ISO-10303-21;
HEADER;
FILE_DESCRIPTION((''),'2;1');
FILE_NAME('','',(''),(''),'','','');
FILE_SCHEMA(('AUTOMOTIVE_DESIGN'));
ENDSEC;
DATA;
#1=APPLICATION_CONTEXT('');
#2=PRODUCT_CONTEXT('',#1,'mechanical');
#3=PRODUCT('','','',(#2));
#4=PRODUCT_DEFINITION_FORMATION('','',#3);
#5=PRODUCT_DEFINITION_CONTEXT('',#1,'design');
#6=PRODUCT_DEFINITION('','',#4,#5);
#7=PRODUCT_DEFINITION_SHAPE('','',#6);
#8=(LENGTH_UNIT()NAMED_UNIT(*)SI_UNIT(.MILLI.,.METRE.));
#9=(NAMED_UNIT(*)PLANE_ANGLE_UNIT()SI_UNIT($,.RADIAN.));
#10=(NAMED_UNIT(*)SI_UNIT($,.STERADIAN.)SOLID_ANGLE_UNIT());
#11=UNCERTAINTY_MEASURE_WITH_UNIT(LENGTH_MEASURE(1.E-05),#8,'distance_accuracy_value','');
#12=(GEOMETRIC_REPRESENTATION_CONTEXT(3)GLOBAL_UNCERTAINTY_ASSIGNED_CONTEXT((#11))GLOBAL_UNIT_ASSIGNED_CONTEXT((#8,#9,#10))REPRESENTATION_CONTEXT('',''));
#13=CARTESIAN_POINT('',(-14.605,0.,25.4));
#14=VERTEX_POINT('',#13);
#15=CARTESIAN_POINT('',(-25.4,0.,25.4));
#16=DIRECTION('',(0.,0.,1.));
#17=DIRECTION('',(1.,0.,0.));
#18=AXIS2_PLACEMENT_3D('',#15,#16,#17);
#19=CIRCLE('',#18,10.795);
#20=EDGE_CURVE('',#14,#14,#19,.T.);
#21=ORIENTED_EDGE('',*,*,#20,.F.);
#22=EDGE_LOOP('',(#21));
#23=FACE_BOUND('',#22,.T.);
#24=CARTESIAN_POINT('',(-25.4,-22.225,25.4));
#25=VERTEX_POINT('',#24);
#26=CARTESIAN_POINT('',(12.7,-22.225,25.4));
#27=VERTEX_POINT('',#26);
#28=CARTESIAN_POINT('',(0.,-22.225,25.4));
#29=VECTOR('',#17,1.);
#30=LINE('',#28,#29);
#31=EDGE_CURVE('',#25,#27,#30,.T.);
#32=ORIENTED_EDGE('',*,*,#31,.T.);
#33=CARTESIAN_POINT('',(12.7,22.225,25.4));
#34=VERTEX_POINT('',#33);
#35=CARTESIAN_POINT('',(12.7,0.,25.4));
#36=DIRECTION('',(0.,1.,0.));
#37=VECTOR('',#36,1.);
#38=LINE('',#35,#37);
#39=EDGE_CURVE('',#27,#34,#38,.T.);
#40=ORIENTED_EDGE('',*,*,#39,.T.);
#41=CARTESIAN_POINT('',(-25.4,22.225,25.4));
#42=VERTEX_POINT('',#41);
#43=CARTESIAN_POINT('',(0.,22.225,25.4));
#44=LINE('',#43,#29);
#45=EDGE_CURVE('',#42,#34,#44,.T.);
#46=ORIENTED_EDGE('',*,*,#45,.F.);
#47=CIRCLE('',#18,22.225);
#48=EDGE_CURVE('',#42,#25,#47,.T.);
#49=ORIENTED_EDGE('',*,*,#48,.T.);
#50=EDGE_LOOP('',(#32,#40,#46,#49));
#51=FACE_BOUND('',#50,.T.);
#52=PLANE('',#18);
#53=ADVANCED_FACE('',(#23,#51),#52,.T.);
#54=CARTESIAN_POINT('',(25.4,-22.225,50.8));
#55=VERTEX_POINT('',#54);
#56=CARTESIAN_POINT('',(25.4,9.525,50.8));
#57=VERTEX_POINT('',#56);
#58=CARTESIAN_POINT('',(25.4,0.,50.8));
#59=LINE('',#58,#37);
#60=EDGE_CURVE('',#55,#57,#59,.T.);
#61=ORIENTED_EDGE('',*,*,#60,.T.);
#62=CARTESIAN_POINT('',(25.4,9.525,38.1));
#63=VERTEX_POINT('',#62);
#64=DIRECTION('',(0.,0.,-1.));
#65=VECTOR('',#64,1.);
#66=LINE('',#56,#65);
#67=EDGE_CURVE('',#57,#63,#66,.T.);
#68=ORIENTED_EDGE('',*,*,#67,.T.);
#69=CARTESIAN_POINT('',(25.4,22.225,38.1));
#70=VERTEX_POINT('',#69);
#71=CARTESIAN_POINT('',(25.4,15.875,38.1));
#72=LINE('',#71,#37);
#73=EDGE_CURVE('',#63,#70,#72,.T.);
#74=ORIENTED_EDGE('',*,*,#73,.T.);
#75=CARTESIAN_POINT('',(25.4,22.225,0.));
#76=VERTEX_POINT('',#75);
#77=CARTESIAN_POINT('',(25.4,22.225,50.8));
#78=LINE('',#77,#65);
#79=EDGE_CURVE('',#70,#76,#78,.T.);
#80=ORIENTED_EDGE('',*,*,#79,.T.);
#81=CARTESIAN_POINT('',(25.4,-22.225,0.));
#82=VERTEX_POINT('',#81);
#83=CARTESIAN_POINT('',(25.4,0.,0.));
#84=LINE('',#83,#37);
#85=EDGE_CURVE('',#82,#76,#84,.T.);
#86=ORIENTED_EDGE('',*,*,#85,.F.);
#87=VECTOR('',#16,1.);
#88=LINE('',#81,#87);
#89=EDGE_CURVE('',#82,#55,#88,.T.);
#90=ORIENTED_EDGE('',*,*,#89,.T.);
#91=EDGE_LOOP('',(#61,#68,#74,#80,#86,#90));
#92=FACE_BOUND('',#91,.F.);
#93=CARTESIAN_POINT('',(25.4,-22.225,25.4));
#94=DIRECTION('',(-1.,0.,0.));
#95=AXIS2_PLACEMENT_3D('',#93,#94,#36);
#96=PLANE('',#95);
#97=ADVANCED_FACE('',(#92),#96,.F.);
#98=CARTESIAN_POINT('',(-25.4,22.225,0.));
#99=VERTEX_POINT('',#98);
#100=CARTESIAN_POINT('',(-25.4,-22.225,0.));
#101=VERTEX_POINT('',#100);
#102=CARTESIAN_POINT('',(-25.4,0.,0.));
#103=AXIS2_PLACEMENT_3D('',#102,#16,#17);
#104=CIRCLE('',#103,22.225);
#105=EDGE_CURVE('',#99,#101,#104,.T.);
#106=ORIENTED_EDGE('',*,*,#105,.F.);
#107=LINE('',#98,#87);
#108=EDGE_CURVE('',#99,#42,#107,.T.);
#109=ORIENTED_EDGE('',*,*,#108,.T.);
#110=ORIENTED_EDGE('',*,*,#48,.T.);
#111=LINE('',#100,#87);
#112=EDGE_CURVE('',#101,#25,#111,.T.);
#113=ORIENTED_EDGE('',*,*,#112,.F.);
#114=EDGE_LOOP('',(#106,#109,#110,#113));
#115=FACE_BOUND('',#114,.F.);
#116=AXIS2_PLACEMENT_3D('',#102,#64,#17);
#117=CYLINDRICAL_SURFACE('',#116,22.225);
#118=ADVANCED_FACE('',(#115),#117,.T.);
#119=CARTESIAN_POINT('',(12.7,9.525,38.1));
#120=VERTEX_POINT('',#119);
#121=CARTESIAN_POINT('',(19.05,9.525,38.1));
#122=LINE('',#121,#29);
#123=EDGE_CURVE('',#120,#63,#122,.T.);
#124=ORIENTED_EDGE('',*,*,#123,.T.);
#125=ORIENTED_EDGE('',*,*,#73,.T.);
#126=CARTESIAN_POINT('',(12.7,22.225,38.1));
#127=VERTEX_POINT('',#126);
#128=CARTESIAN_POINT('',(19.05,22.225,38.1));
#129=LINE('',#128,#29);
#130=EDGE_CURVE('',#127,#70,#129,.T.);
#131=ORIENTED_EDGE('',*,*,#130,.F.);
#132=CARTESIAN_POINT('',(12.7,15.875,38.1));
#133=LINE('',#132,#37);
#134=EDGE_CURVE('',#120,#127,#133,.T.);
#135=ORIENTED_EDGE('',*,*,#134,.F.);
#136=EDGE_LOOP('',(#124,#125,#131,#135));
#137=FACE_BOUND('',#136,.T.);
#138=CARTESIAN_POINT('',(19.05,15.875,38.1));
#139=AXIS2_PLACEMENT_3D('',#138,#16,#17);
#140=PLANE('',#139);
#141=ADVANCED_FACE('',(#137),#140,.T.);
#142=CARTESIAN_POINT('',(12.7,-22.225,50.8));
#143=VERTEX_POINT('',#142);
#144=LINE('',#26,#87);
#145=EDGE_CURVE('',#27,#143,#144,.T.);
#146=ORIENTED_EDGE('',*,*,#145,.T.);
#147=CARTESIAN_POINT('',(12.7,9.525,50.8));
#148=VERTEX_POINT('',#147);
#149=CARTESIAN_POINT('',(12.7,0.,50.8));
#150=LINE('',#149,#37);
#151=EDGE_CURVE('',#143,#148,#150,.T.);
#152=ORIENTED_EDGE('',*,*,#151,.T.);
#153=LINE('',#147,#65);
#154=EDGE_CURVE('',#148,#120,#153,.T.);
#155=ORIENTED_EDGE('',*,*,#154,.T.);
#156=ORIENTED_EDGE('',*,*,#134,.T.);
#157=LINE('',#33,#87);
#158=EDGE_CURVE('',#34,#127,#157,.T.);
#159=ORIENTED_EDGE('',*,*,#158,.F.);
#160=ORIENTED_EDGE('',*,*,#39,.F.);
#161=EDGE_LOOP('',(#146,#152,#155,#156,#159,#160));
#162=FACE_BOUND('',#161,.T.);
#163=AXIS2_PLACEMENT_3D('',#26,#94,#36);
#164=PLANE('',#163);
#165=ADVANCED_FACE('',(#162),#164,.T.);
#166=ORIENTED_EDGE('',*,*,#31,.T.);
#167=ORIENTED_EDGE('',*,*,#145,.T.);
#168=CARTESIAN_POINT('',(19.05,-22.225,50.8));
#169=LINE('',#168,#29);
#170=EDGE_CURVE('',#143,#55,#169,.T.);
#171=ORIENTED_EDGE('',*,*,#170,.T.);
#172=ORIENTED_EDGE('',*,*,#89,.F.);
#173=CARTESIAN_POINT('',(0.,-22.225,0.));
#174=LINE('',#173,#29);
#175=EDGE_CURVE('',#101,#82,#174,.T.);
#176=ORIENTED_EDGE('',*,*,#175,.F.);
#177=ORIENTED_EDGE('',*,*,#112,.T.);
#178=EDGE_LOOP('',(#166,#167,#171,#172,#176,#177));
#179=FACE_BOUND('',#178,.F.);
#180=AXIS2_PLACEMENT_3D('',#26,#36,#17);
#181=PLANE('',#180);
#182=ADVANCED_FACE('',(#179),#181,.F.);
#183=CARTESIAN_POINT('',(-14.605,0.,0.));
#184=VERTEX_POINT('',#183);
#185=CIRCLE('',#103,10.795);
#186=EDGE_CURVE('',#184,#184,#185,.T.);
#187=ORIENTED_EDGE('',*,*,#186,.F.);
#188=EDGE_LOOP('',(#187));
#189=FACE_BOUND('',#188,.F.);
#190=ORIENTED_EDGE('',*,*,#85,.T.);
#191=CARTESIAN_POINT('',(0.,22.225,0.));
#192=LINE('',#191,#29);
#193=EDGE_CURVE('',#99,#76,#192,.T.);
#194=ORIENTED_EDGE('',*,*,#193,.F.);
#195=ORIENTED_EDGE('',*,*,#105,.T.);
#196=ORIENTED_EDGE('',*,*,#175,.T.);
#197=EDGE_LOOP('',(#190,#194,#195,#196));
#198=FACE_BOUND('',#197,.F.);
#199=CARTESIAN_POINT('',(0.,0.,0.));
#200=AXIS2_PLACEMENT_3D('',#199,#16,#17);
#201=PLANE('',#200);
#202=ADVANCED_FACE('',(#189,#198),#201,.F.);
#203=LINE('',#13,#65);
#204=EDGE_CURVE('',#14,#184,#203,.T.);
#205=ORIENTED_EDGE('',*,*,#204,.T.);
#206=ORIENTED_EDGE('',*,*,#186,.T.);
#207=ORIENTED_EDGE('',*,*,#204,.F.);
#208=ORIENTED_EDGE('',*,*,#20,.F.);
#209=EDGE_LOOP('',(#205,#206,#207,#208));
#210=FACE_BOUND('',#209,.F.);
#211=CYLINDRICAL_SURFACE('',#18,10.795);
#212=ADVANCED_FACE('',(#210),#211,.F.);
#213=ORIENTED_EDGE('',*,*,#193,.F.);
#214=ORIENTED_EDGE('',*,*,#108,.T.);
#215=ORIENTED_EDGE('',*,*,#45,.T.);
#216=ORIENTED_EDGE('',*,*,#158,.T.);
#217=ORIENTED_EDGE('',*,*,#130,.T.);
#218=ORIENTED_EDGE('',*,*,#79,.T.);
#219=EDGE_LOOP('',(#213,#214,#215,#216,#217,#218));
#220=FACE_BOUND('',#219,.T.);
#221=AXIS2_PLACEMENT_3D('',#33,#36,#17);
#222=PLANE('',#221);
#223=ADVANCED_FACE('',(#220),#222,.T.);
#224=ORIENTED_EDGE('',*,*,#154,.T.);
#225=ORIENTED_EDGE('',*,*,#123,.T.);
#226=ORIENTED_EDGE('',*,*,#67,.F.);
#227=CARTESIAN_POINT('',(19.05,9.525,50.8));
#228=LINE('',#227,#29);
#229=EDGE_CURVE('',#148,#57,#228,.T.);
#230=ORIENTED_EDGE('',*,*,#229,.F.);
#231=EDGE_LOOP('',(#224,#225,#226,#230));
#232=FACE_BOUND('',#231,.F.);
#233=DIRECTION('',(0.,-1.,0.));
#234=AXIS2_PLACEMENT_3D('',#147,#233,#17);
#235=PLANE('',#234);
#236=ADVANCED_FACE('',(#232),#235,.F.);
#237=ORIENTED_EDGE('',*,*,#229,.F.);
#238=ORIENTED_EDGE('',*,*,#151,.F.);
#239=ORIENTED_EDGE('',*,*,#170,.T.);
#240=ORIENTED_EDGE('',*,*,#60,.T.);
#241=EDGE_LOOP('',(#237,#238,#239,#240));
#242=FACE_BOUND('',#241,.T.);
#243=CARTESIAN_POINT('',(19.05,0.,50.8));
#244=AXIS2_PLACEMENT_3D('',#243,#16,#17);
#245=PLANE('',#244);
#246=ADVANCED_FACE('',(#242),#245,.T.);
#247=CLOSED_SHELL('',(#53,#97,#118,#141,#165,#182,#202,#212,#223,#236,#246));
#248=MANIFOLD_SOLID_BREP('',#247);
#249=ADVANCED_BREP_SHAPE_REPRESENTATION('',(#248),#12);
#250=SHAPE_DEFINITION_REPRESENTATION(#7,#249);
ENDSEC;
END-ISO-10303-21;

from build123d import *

# Parameters (mm, degrees)
F0_W     = 50.8
F0_H     = 44.45
F1_DEPTH = 25.4
F2_R     = 22.225
F3_DEPTH = 25.4
F4_R     = 10.795
F5_DEPTH = 25.401
F6_W     = 12.7
F6_H     = 44.45
F7_DEPTH = 25.4
F8_W     = 12.7
F8_H     = 12.7
F9_DEPTH = 12.7


with BuildPart() as f1:
    # F0 (on Top) → F1 (new body)
    with BuildSketch(Plane.XY):
        Rectangle(F0_W, F0_H)
    extrude(amount=F1_DEPTH)

    # F2 (on Top) → F3 (join)
    with BuildSketch(Plane.XY):
        with Locations((-25.4, 0)):
            Circle(F2_R)
    extrude(amount=F3_DEPTH)

    # F4 (on face) → F5 (cut, through all)
    with BuildSketch(Plane.XY.offset(25.4)):
        with Locations((-25.4, 0)):
            Circle(F4_R)
    extrude(amount=-F5_DEPTH, mode=Mode.SUBTRACT)

    # F6 (on face) → F7 (join)
    with BuildSketch(Plane.XY.offset(25.4)):
        with Locations((19.05, 0)):
            Rectangle(F6_W, F6_H)
    extrude(amount=F7_DEPTH)

    # F8 (on face) → F9 (cut)
    with BuildSketch(Plane.XY.offset(50.8)):
        with Locations((19.05, 15.875)):
            Rectangle(F8_W, F8_H)
    extrude(amount=-F9_DEPTH, mode=Mode.SUBTRACT)


solid = f1.part
